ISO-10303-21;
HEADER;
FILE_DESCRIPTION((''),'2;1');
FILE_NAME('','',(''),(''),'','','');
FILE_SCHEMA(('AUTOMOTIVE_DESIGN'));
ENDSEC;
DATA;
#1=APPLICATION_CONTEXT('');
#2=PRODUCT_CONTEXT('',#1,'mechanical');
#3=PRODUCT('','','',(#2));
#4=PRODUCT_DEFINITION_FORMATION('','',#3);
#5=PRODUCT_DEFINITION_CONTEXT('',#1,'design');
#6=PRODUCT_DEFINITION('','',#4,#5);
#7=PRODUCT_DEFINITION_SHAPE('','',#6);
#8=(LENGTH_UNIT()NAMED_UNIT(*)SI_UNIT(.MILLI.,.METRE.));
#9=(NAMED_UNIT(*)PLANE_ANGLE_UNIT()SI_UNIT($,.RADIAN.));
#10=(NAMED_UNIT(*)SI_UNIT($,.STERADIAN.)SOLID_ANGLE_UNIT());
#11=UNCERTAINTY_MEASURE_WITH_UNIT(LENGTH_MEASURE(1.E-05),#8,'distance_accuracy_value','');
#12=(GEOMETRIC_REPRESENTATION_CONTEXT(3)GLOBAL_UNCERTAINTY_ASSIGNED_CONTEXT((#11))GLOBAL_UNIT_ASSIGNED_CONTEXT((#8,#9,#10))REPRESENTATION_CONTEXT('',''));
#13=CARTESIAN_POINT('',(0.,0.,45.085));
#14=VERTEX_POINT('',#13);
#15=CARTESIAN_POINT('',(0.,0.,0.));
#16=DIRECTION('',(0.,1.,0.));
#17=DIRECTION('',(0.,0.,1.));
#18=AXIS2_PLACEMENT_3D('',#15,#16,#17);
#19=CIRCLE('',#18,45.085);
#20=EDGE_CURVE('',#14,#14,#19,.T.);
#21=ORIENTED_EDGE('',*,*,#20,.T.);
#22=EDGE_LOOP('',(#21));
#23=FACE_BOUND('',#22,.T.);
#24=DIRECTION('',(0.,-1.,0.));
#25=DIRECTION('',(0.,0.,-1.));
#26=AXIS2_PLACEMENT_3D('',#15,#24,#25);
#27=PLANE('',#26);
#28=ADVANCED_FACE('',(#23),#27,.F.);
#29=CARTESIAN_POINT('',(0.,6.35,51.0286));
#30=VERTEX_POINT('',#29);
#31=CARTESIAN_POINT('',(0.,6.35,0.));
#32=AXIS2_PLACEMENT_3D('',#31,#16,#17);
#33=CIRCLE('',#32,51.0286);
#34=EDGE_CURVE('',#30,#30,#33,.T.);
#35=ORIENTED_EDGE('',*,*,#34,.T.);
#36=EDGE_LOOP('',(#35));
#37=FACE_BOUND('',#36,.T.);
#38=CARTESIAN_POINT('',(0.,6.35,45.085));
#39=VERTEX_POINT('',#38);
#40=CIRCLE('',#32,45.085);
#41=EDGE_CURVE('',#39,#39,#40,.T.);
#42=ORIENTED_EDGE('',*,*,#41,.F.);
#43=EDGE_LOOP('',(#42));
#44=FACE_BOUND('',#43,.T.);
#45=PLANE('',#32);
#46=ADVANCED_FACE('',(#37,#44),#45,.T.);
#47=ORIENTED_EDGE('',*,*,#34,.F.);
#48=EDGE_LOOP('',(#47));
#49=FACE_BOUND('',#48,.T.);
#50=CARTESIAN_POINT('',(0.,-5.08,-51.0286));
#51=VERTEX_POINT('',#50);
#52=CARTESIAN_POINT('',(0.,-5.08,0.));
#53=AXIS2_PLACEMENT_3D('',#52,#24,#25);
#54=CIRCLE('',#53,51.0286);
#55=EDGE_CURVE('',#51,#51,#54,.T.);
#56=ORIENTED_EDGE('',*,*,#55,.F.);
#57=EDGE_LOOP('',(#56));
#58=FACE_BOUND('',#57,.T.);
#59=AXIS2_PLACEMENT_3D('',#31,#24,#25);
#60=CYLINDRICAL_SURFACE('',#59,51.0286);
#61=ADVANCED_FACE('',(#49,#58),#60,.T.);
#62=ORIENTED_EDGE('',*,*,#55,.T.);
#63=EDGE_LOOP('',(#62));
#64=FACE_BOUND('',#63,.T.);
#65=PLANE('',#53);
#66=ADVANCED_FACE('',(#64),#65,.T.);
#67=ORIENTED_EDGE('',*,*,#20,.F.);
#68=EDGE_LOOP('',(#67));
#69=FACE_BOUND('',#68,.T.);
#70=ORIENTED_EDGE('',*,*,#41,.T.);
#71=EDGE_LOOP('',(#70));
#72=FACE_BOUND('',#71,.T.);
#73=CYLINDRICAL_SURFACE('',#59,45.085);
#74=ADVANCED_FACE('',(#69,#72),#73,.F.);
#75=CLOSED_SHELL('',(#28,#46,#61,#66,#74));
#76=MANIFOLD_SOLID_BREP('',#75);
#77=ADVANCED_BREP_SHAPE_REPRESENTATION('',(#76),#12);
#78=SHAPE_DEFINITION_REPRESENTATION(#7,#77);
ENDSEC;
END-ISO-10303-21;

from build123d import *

# Parameters (mm, degrees)
SKETCH1_R           = 51.0286
SKETCH1_R_2         = 45.085
BOSS_EXTRUDE1_DEPTH = 6.35
SKETCH2_R           = 51.0286
BOSS_EXTRUDE2_DEPTH = 5.08


with BuildPart() as part:
    # Sketch1 → Boss-Extrude1 (new body)
    with BuildSketch(Plane(origin=(0, 0, 0), x_dir=(1, 0, 0), z_dir=(0, 1, 0))):
        Circle(SKETCH1_R)
        Circle(SKETCH1_R_2, mode=Mode.SUBTRACT)
    extrude(amount=BOSS_EXTRUDE1_DEPTH)

    # Sketch2 → Boss-Extrude2 (add)
    with BuildSketch(Plane.XZ):
        Circle(SKETCH2_R)
    extrude(amount=BOSS_EXTRUDE2_DEPTH)


solid = part.part
